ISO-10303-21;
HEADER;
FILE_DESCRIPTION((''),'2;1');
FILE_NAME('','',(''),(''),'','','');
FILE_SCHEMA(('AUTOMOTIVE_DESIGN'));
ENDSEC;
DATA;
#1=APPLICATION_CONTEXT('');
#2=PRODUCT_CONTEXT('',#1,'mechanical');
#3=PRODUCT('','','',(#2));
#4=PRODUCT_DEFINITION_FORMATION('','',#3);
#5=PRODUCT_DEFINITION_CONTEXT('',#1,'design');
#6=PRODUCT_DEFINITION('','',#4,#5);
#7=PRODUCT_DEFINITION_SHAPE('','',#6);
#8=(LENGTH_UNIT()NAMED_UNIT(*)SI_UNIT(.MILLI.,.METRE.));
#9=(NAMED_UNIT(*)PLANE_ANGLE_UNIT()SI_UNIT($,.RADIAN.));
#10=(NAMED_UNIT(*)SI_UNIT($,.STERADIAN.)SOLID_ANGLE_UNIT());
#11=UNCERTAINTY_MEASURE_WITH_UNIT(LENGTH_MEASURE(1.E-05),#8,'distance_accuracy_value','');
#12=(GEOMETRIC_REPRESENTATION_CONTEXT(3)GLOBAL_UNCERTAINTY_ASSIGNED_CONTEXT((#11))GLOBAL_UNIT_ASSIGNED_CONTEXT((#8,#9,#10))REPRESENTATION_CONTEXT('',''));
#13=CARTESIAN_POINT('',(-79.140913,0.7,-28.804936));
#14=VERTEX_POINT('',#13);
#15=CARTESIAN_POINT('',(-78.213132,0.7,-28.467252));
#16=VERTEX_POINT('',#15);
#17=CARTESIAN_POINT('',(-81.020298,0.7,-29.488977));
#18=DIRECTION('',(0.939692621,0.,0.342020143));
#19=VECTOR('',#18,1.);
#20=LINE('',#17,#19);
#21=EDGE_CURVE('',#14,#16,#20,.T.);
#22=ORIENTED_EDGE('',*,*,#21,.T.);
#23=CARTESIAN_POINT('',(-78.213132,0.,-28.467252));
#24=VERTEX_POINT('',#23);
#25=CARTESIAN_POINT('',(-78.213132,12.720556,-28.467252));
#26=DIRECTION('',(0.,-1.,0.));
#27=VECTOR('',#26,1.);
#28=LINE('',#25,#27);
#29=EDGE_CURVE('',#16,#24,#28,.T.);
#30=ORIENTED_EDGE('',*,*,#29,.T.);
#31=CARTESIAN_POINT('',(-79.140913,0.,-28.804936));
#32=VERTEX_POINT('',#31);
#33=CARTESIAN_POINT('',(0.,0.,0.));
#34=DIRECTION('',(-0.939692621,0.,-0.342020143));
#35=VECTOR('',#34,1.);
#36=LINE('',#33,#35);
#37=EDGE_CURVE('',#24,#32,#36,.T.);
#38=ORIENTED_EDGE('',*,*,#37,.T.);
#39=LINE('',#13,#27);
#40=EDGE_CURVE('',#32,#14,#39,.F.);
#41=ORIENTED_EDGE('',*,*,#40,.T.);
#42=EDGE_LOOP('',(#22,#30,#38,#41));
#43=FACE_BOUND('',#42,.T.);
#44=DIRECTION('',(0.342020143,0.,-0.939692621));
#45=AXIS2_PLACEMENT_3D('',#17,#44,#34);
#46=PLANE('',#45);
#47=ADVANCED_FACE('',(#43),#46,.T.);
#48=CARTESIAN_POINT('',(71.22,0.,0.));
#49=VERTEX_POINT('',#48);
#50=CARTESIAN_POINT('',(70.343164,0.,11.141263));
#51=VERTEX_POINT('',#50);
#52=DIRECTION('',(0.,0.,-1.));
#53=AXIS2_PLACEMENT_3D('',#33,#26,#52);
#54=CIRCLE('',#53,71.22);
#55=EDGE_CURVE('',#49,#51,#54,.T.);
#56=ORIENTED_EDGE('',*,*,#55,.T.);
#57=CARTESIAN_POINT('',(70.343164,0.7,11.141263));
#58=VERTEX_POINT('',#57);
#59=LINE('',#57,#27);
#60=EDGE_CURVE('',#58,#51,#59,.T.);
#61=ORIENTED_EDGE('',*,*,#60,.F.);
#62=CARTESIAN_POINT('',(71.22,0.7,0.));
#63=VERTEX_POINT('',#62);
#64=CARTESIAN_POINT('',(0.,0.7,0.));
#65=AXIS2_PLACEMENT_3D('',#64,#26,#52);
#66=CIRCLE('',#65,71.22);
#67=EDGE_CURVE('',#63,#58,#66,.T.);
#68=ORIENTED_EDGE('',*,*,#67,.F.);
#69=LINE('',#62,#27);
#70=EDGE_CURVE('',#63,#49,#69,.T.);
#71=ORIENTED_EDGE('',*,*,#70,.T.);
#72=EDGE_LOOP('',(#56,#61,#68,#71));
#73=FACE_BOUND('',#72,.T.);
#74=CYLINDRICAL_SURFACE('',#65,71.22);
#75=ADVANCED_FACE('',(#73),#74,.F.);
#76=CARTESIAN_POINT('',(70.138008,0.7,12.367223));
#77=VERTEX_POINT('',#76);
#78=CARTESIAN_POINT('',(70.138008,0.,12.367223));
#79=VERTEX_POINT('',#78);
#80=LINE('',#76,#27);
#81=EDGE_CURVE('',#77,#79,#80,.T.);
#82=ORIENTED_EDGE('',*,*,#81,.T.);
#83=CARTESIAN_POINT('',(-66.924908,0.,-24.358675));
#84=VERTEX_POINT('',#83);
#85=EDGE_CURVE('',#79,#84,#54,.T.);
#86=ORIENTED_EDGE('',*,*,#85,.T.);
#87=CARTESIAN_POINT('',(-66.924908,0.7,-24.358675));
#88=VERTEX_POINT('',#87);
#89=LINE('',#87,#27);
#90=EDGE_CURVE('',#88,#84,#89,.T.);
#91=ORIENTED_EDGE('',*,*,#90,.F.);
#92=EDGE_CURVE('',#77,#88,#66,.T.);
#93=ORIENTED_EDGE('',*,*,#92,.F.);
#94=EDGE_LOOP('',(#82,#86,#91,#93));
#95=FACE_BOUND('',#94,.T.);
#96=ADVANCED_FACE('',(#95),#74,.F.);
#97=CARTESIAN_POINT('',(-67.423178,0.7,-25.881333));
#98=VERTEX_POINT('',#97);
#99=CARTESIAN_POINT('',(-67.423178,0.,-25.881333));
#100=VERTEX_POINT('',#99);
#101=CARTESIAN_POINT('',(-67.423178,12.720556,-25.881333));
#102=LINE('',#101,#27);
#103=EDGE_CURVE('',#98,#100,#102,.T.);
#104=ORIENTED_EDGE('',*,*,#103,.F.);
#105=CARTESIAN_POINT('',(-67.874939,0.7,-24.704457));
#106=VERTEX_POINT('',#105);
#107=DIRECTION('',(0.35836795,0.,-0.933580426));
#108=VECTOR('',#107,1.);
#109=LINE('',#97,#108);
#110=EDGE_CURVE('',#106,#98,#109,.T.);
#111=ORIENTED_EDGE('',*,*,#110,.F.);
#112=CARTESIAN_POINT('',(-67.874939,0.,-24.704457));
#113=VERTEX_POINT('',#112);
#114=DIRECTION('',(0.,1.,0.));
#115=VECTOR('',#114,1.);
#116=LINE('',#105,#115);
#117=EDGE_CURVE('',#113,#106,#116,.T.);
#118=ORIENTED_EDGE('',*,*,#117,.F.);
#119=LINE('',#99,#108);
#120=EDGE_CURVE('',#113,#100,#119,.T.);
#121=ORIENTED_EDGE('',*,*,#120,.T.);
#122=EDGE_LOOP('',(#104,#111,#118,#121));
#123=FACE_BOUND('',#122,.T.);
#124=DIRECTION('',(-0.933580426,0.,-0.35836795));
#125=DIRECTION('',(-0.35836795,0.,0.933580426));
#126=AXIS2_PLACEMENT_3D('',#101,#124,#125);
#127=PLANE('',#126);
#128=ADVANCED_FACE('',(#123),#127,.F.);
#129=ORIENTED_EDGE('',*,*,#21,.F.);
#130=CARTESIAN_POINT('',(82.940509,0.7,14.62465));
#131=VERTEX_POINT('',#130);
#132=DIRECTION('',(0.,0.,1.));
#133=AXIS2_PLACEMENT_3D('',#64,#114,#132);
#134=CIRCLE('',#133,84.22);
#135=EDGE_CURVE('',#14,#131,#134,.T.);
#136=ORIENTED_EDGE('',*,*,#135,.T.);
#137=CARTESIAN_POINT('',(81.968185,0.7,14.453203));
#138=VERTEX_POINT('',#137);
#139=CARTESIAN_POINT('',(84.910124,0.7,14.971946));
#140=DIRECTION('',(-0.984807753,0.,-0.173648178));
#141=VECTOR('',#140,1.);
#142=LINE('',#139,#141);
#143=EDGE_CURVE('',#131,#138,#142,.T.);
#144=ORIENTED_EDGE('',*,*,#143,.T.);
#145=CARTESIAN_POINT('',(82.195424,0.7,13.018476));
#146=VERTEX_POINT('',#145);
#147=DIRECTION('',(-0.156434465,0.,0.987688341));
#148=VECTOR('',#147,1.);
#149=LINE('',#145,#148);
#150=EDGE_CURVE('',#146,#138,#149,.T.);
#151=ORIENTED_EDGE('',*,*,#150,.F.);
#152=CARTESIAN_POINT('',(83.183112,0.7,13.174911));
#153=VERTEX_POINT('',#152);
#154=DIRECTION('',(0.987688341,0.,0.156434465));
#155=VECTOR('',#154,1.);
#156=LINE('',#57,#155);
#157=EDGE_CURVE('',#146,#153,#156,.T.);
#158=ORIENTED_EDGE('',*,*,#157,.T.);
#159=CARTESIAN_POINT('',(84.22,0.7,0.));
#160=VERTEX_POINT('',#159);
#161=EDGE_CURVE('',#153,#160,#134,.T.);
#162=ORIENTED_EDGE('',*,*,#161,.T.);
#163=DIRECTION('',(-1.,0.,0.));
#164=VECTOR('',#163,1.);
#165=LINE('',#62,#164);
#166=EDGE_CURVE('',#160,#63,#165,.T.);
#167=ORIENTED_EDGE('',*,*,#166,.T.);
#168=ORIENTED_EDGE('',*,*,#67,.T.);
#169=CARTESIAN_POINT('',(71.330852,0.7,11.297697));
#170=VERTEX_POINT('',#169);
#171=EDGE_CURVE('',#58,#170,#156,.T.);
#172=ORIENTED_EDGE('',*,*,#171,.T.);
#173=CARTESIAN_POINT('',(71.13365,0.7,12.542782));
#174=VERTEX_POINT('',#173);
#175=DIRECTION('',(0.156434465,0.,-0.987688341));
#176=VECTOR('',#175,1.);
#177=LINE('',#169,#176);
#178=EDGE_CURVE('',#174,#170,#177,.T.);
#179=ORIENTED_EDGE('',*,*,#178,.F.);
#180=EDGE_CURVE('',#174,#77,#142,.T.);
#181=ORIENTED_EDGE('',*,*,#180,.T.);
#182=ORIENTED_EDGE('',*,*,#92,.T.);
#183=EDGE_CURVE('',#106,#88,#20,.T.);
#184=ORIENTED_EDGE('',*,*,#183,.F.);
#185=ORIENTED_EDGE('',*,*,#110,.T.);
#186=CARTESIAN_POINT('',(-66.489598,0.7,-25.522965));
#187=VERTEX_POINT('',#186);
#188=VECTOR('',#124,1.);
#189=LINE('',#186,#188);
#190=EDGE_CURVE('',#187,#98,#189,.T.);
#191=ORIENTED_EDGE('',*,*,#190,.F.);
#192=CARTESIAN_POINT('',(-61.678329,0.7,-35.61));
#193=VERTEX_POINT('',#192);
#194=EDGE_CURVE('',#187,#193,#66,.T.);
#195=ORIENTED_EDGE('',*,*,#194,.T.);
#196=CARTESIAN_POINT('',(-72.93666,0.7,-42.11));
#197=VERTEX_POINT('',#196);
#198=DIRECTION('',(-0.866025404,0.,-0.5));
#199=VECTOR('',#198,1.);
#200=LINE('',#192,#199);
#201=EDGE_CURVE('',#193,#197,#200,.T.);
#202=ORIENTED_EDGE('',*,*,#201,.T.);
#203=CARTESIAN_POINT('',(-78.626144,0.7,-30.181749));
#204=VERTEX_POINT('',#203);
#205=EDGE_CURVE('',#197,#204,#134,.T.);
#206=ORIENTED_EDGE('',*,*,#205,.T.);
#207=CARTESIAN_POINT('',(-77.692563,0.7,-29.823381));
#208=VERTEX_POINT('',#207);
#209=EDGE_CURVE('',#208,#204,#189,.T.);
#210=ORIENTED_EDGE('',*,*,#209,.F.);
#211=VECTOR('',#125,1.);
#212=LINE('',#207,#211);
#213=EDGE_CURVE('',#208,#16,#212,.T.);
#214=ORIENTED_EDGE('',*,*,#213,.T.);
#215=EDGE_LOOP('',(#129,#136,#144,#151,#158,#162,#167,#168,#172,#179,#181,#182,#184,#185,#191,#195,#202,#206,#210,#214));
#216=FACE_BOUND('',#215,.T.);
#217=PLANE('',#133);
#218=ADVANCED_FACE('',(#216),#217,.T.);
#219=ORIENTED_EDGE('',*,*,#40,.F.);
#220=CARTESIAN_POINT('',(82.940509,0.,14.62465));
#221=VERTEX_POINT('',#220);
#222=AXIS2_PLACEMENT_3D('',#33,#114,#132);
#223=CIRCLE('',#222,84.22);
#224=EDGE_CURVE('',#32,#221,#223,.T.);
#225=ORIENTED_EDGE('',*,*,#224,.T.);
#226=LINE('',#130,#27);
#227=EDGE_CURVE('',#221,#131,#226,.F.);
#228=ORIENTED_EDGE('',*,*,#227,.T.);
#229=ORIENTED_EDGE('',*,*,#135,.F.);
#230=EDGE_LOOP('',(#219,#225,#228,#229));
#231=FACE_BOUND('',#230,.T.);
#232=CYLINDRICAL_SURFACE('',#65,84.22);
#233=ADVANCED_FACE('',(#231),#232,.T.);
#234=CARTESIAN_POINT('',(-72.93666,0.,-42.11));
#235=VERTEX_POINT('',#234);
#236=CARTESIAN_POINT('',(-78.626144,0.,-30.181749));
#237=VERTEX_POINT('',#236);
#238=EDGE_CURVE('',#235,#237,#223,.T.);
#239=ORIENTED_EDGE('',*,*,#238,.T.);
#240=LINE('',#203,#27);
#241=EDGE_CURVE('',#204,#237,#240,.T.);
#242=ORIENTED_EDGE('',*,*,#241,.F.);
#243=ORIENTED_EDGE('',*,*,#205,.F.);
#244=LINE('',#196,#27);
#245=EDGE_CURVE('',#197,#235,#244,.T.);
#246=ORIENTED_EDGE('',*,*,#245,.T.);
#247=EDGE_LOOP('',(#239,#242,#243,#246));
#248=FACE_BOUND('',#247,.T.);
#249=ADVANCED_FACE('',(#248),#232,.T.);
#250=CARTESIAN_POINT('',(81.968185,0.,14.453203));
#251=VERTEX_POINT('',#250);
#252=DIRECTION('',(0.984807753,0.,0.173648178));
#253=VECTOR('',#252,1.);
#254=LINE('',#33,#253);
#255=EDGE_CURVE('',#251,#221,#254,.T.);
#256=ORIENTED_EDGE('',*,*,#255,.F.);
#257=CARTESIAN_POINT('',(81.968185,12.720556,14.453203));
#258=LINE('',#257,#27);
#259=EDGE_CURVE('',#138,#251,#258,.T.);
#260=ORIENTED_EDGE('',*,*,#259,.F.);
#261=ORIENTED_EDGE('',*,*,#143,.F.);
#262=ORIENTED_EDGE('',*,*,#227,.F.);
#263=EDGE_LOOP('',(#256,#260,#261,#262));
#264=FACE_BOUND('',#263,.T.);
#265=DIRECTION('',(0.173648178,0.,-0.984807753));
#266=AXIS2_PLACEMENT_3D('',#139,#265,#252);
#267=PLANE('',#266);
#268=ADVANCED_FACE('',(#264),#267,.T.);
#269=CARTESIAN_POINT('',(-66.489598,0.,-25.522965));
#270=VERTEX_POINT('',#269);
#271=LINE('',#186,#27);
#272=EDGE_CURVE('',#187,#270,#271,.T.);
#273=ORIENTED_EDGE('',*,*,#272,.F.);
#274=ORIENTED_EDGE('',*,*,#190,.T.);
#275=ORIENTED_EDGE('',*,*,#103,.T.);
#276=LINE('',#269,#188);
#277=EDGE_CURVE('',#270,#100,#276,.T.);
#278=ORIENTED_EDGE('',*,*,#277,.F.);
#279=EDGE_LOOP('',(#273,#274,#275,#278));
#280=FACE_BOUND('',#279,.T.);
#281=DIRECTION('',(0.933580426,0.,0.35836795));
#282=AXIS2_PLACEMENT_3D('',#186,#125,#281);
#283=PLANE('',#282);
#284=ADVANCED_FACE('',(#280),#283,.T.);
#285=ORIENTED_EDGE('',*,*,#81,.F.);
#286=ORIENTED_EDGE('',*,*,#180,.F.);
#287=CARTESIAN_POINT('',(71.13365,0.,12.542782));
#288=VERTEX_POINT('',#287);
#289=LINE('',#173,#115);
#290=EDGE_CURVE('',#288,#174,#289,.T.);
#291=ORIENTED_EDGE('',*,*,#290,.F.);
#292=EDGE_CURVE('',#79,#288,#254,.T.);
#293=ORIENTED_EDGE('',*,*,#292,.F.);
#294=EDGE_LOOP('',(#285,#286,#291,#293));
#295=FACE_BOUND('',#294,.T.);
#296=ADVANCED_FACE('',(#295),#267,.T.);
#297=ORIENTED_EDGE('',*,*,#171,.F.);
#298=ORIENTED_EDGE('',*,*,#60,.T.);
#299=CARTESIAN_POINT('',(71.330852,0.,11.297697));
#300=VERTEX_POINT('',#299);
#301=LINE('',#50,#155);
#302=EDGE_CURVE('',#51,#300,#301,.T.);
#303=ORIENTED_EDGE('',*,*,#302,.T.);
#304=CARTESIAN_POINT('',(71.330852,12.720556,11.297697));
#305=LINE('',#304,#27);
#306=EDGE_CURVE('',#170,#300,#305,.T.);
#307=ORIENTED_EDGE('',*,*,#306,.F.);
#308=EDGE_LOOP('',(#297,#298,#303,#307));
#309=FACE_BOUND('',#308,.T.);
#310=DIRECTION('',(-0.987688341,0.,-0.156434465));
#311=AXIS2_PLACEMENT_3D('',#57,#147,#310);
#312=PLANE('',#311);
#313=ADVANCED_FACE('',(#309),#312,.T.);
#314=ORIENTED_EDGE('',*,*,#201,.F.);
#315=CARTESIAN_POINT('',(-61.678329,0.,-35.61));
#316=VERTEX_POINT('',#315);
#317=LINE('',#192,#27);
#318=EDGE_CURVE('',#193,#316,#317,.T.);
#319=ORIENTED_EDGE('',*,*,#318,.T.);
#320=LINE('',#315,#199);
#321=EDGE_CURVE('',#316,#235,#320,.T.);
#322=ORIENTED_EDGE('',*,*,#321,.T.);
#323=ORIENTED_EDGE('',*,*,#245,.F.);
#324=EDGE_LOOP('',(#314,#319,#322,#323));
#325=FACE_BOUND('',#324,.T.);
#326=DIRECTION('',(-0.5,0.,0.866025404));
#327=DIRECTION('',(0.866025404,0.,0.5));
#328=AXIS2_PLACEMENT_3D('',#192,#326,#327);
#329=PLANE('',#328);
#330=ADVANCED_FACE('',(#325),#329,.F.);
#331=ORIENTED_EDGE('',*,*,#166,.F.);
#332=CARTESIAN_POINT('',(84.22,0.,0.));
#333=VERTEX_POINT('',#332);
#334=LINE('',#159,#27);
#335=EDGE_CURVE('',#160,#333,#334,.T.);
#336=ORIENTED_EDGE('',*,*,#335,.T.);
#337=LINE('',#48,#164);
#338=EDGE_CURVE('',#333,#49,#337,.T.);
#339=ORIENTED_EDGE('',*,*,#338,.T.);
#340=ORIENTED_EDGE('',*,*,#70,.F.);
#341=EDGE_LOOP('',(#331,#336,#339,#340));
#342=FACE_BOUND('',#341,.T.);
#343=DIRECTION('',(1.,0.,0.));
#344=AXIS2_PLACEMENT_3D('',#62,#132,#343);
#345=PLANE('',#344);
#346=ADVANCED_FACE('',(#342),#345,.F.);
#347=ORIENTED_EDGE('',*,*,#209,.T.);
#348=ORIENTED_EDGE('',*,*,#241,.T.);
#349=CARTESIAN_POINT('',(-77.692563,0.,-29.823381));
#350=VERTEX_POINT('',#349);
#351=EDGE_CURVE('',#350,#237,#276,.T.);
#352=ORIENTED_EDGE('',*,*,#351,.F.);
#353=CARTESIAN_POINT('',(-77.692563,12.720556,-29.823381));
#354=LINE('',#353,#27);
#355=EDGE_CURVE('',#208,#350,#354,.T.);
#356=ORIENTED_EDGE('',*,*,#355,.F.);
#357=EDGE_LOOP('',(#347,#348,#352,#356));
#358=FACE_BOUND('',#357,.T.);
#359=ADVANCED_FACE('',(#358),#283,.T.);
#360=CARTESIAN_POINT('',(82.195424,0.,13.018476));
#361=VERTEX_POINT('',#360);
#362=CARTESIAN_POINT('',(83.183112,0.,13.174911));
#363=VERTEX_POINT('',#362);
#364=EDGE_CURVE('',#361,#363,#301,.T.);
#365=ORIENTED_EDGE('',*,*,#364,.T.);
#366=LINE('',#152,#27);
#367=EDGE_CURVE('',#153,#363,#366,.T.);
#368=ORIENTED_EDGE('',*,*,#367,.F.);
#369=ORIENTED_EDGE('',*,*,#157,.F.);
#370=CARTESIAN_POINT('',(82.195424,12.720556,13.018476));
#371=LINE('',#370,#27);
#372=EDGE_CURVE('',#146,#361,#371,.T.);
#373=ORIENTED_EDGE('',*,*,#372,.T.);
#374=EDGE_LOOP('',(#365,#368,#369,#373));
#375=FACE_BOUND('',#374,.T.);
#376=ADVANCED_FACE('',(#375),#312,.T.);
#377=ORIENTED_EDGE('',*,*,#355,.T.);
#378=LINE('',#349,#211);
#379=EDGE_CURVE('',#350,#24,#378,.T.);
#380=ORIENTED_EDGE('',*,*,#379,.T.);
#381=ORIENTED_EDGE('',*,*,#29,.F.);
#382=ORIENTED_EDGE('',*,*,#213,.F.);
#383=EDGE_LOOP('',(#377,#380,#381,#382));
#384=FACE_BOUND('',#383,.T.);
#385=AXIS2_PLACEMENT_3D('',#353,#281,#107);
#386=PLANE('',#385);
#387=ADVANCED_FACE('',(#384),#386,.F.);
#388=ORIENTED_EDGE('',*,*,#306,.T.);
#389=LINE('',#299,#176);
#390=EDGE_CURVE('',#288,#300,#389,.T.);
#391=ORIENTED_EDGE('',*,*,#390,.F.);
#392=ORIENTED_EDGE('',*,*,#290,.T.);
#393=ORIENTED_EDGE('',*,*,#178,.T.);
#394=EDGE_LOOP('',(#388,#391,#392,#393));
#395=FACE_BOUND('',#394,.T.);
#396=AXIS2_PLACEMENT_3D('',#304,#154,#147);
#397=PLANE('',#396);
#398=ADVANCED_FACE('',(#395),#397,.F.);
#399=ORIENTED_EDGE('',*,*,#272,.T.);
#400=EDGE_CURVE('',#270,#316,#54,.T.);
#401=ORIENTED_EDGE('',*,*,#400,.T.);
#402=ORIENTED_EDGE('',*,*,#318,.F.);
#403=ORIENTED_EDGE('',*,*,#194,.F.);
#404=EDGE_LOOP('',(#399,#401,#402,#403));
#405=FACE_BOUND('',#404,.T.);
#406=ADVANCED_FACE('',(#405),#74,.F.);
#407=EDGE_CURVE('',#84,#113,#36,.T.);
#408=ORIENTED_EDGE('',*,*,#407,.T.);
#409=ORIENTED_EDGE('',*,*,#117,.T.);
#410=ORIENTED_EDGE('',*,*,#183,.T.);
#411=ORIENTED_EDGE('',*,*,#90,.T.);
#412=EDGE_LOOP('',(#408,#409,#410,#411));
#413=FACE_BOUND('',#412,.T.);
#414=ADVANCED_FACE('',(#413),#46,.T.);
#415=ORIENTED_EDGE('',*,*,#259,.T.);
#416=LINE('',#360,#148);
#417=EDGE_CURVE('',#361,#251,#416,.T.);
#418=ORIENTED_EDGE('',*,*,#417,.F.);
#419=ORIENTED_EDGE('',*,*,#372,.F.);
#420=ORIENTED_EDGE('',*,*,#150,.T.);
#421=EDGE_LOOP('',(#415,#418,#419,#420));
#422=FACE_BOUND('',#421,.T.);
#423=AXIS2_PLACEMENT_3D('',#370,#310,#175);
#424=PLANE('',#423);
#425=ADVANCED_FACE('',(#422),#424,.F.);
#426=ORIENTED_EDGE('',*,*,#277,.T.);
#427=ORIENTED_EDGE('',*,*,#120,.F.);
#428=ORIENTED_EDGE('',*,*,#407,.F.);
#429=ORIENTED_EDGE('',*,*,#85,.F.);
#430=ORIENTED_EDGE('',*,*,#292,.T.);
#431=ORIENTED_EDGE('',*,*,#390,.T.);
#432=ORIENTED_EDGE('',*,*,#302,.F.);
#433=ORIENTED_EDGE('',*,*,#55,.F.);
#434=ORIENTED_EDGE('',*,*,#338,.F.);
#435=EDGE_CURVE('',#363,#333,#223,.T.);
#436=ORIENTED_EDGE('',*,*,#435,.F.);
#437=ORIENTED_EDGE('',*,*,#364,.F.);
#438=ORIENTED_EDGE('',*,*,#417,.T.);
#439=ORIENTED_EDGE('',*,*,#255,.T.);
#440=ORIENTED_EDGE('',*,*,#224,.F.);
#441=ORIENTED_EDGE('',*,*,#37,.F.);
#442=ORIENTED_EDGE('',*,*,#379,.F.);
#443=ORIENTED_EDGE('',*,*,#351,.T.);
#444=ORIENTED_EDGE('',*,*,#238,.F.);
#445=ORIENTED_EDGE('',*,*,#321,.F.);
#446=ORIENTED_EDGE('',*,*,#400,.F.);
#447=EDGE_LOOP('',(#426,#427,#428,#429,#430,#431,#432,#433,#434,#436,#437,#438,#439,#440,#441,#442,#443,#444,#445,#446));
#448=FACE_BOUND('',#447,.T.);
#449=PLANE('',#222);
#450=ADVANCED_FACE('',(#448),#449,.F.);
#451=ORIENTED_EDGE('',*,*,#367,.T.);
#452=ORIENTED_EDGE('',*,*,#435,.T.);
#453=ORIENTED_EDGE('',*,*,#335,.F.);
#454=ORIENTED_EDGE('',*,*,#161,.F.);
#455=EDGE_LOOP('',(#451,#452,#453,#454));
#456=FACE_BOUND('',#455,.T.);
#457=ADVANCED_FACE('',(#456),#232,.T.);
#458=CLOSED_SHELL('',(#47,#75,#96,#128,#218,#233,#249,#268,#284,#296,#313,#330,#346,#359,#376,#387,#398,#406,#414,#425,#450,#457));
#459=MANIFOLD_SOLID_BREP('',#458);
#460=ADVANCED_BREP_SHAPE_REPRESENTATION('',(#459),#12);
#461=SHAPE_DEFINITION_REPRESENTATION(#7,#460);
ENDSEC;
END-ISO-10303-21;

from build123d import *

# Parameters (mm, degrees)
BOSS_EXTRUDE1_DEPTH = 0.7
CUT_EXTRUDE1_DEPTH  = 120.107123213
BOSS_EXTRUDE2_DEPTH = 0.7


with BuildPart() as part:
    # Sketch3 → Boss-Extrude1 (new body)
    with BuildSketch(Plane(origin=(0, 0, 0), x_dir=(1, 0, 0), z_dir=(0, 1, 0))):
        with BuildLine():
            Line((-61.678329258, 35.61), (-72.936659507, 42.11))
            ThreePointArc((-72.936659507, 42.11), (-21.797739979, -81.35027309), (84.22, 0))
            Line((84.22, 0), (71.22, 0))
            ThreePointArc((71.22, 0), (-18.433092392, -68.793237348), (-61.678329258, 35.61))
        make_face()
    extrude(amount=BOSS_EXTRUDE1_DEPTH)

    # Sketch5 → Cut-Extrude1 (cut, through all)
    with BuildSketch(Plane(origin=(0, 0, 0), x_dir=(1, 0, 0), z_dir=(0, 1, 0))):
        Polygon((-66.489597975, 25.522965367), (-80.493304373, 30.89848461), (-81.020297764, 29.488976758), (-66.924908452, 24.358674608), align=None)
    cut_extrude1 = extrude(amount=CUT_EXTRUDE1_DEPTH, mode=Mode.SUBTRACT)


with BuildPart() as cut_extrude1_piece_1:
    # of the separate pieces the step leaves, piece 1, a body of its own (cut_extrude1_pieces)
    add(part.part.solids().sort_by_distance((84.22, 0, 0))[0])



with BuildPart() as cut_extrude1_piece_2:
    # of the separate pieces the step leaves, piece 2, a body of its own (cut_extrude1_pieces)
    add(part.part.solids().sort_by_distance((-72.936659507, 0, -42.11))[0])


with BuildPart() as cut_extrude1_piece_1_1:
    add(cut_extrude1_piece_1.part)

    add(cut_extrude1_piece_2.part)  # Boss-Extrude2 merges Cut-Extrude1 piece 2
    # Sketch6 → Boss-Extrude2 (add)
    with BuildSketch(Plane(origin=(0, 0, 0), x_dir=(1, 0, 0), z_dir=(0, 1, 0))):
        Polygon((-77.692563093, 29.823380761), (-67.423178402, 25.881333316), (-67.943747449, 24.525204583), (-78.213132141, 28.467252028), align=None)
    boss_extrude2 = extrude(amount=BOSS_EXTRUDE2_DEPTH)

    # Mirror1: Cut-Extrude1, Boss-Extrude2 across plane
    add(cut_extrude1.mirror(Plane(origin=(0, 0, 0), x_dir=(-0.25881904510251774, 0, 0.9659258262890691), z_dir=(0.9659258262890692, 0, 0.25881904510251774))), mode=Mode.SUBTRACT)
    add(boss_extrude2.mirror(Plane(origin=(0, 0, 0), x_dir=(-0.25881904510251774, 0, 0.9659258262890691), z_dir=(0.9659258262890692, 0, 0.25881904510251774))))


solid = cut_extrude1_piece_1_1.part
